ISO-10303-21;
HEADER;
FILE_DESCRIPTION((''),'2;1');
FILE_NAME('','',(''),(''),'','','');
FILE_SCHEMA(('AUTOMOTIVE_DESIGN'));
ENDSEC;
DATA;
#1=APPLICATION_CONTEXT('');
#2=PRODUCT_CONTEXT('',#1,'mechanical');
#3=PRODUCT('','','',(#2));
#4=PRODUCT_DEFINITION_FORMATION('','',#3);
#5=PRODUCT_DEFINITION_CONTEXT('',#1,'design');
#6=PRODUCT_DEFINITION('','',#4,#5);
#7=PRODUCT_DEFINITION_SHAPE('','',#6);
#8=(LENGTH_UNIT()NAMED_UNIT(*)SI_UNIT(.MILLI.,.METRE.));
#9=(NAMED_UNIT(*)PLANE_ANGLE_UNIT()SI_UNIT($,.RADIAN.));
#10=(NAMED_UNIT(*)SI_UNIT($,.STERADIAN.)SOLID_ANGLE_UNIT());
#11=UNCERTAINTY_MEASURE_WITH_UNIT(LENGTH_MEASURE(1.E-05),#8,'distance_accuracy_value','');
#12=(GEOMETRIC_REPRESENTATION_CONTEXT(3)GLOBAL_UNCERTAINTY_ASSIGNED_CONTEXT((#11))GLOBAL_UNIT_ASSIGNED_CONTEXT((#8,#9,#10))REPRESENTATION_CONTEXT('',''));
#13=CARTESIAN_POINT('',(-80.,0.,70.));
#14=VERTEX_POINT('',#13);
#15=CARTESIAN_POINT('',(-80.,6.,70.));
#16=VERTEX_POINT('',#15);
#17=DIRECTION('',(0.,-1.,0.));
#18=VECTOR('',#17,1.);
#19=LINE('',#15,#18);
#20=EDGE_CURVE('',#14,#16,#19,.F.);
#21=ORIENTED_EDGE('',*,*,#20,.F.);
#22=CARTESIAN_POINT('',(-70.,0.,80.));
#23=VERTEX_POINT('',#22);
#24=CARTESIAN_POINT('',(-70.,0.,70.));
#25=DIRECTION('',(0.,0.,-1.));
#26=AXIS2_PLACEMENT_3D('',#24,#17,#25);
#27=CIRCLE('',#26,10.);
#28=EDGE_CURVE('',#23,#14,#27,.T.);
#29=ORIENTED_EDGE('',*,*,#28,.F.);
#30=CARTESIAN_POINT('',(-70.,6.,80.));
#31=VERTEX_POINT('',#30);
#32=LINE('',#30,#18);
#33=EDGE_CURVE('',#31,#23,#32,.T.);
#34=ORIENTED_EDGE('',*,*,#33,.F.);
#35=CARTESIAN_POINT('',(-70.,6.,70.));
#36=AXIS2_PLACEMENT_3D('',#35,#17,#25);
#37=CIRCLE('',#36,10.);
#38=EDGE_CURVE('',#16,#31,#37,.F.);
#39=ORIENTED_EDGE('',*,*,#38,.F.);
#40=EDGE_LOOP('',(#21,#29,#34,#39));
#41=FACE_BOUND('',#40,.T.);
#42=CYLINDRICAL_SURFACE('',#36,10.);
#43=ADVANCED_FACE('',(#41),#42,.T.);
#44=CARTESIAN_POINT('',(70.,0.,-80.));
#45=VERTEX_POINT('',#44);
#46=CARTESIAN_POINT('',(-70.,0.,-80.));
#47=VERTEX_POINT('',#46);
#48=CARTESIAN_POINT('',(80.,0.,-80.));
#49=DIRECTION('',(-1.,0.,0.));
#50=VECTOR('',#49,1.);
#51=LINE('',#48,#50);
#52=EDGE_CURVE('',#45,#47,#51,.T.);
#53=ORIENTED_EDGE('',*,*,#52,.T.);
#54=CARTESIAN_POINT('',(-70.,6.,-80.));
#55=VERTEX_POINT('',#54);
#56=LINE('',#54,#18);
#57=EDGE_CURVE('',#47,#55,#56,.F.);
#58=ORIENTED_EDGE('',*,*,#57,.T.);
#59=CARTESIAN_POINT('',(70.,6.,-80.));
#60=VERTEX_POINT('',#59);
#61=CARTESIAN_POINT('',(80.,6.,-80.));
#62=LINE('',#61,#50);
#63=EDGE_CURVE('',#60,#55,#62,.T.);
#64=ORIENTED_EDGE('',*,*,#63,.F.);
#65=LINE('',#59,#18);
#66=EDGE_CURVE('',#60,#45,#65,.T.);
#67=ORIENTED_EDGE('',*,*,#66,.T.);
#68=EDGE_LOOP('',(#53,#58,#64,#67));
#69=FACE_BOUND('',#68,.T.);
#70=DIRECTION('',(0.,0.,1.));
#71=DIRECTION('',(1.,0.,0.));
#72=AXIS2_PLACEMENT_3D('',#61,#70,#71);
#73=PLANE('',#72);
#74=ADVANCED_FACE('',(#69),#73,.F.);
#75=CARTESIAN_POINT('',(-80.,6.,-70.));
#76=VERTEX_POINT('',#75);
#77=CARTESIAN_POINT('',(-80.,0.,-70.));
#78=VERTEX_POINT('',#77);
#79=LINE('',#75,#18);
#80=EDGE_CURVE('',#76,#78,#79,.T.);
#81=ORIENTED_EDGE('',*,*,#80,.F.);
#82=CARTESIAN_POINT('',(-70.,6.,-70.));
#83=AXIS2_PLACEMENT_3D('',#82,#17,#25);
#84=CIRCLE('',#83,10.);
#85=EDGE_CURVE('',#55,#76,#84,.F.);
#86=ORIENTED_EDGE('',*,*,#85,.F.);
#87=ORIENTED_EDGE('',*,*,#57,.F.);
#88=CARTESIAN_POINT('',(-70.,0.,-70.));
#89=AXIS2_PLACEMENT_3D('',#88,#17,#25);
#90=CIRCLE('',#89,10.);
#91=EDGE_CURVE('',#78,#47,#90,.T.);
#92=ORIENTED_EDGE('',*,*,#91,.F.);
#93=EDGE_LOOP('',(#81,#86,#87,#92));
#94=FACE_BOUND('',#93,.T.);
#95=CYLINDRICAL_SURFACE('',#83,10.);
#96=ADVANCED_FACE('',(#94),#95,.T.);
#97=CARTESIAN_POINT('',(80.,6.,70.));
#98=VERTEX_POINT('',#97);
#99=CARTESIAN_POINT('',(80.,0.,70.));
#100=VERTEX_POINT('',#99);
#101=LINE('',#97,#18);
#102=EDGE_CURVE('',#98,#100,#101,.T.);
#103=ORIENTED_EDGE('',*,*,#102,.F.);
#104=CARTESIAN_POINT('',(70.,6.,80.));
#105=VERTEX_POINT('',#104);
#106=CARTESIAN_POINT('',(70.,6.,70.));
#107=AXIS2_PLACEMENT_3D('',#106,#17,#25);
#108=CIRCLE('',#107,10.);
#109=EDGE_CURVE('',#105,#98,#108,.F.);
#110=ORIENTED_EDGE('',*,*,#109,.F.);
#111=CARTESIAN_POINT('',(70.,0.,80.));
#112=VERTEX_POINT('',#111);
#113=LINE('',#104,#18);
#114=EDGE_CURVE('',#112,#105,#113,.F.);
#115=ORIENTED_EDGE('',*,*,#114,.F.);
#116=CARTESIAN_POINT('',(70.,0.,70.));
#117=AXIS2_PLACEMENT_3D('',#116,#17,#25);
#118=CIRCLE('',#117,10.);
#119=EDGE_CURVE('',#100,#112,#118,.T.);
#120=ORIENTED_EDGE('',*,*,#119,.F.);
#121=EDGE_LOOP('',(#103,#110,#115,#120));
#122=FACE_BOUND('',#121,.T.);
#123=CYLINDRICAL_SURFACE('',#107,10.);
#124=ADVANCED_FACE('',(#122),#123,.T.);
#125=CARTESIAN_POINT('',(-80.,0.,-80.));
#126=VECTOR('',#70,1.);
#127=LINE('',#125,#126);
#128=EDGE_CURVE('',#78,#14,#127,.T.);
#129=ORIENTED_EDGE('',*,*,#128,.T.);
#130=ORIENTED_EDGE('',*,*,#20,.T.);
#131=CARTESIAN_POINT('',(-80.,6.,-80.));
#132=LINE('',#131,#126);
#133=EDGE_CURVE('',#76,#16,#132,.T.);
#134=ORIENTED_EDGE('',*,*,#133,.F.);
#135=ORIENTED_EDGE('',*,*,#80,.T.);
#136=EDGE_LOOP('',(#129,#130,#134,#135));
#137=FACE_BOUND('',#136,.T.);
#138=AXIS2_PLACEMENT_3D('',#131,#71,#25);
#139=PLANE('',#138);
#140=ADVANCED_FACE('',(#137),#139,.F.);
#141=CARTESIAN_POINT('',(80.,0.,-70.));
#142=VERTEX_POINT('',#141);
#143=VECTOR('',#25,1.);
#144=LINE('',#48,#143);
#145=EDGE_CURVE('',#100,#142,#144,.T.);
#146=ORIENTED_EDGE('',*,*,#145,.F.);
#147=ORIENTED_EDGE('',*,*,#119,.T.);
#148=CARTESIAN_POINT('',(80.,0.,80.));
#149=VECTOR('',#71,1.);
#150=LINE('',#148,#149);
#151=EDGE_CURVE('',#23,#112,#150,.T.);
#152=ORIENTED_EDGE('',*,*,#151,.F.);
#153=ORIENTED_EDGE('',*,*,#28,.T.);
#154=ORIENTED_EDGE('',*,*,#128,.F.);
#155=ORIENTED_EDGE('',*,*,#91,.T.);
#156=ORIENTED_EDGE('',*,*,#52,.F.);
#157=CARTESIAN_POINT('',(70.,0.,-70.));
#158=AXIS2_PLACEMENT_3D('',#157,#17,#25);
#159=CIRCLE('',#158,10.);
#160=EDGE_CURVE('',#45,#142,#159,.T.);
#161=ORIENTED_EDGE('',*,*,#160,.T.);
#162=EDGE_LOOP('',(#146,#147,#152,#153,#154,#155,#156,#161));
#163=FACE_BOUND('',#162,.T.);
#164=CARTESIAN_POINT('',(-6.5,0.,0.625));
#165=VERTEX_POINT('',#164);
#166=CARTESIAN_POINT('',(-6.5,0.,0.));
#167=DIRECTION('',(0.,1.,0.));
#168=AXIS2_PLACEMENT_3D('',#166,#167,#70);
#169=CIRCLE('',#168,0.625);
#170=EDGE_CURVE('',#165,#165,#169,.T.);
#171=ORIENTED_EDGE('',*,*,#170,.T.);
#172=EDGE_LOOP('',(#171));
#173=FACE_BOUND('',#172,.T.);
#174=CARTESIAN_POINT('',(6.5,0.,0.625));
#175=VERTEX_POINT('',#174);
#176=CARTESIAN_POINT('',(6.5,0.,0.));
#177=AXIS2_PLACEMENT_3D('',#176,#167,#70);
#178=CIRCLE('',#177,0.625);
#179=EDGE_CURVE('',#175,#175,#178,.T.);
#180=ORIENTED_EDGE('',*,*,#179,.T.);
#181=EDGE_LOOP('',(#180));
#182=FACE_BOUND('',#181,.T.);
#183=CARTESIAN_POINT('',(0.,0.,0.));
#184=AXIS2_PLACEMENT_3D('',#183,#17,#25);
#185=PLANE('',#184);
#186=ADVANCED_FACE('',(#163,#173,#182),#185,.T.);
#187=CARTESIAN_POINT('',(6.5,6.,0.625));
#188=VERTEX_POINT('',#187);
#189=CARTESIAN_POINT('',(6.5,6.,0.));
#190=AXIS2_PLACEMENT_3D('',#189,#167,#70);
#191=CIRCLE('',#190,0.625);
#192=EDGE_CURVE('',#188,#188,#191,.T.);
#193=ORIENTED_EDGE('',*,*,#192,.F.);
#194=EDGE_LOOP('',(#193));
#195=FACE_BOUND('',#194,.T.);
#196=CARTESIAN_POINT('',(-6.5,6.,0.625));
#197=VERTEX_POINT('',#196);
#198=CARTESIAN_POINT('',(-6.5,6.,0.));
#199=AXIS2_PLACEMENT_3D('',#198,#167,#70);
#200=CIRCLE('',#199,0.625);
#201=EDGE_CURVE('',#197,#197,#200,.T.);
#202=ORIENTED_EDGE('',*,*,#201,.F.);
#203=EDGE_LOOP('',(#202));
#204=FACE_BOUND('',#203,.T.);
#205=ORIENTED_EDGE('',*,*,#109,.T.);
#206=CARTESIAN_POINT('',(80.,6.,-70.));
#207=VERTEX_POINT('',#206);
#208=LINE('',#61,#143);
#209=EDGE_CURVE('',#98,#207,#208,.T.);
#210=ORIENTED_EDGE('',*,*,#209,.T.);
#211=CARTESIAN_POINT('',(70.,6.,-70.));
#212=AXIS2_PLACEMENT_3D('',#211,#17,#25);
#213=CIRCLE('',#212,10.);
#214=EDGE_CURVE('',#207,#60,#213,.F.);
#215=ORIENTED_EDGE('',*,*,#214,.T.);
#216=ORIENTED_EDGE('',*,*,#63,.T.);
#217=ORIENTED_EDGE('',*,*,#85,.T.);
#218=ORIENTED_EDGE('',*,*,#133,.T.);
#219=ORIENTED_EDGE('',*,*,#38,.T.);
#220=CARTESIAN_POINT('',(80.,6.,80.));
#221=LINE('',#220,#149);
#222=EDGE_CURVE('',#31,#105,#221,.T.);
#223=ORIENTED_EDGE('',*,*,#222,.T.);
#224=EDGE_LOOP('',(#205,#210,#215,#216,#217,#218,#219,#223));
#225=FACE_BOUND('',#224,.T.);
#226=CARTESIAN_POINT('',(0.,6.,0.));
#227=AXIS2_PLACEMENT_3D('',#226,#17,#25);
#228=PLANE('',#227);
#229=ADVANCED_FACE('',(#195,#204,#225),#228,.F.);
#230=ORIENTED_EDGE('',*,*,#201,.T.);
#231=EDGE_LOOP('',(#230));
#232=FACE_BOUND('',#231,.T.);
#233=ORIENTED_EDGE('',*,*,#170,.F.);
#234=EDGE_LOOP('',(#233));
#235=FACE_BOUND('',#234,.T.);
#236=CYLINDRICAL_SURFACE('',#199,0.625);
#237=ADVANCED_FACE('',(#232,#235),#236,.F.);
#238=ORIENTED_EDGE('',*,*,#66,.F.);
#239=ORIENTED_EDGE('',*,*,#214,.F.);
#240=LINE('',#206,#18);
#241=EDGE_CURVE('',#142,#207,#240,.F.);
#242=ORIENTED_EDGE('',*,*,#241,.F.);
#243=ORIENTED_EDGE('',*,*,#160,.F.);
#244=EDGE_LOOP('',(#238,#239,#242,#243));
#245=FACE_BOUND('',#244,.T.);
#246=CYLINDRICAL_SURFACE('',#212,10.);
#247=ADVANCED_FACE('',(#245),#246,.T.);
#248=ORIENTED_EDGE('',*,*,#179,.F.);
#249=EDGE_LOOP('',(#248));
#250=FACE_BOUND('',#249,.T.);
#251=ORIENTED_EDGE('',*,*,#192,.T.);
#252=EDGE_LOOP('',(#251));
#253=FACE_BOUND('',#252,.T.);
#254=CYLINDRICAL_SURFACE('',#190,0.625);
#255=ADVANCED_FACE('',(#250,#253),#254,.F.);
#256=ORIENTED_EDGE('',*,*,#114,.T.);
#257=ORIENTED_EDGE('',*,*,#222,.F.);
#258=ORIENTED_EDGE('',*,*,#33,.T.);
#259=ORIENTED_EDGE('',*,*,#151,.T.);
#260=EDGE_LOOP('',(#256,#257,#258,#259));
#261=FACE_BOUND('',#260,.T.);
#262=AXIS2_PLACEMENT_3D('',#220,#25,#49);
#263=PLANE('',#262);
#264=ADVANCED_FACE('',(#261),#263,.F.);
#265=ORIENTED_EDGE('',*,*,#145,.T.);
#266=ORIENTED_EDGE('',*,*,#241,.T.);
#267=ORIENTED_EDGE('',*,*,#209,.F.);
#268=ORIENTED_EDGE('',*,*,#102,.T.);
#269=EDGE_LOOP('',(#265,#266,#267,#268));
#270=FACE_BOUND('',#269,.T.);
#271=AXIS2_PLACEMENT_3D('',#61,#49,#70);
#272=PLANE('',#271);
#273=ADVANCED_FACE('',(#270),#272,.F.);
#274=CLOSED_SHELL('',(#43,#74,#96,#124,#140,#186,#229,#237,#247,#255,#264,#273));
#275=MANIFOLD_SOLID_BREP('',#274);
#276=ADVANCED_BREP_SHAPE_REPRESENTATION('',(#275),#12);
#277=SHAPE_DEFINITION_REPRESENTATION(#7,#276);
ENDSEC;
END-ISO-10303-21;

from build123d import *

# Parameters (mm, degrees)
SKETCH1_W           = 160
SKETCH1_H           = 160
MAIN_BODY_DEPTH     = 6
M1_6_TAPPED_HOLE1_D = 1.25
FILLET1_R           = 10


with BuildPart() as part:
    # Sketch1 → main body (new body)
    with BuildSketch(Plane(origin=(0, 0, 0), x_dir=(1, 0, 0), z_dir=(0, 1, 0))):
        Rectangle(SKETCH1_W, SKETCH1_H)
    extrude(amount=MAIN_BODY_DEPTH)

    # M1.6 Tapped Hole1 (through all)
    with Locations(Plane(origin=(0, 6, 0), x_dir=(1, 0, 0), z_dir=(0, 1, 0))):
        with Locations((6.5, 0), (-6.5, 0)):
            Hole(M1_6_TAPPED_HOLE1_D / 2)

    # Fillet1
    fillet1_edges = [part.edges().sort_by_distance(p)[0] for p in [
        (-80, 3, -80),
        (80, 3, -80),
        (80, 3, 80),
        (-80, 3, 80),
    ]]
    fillet(fillet1_edges, radius=FILLET1_R)


solid = part.part
